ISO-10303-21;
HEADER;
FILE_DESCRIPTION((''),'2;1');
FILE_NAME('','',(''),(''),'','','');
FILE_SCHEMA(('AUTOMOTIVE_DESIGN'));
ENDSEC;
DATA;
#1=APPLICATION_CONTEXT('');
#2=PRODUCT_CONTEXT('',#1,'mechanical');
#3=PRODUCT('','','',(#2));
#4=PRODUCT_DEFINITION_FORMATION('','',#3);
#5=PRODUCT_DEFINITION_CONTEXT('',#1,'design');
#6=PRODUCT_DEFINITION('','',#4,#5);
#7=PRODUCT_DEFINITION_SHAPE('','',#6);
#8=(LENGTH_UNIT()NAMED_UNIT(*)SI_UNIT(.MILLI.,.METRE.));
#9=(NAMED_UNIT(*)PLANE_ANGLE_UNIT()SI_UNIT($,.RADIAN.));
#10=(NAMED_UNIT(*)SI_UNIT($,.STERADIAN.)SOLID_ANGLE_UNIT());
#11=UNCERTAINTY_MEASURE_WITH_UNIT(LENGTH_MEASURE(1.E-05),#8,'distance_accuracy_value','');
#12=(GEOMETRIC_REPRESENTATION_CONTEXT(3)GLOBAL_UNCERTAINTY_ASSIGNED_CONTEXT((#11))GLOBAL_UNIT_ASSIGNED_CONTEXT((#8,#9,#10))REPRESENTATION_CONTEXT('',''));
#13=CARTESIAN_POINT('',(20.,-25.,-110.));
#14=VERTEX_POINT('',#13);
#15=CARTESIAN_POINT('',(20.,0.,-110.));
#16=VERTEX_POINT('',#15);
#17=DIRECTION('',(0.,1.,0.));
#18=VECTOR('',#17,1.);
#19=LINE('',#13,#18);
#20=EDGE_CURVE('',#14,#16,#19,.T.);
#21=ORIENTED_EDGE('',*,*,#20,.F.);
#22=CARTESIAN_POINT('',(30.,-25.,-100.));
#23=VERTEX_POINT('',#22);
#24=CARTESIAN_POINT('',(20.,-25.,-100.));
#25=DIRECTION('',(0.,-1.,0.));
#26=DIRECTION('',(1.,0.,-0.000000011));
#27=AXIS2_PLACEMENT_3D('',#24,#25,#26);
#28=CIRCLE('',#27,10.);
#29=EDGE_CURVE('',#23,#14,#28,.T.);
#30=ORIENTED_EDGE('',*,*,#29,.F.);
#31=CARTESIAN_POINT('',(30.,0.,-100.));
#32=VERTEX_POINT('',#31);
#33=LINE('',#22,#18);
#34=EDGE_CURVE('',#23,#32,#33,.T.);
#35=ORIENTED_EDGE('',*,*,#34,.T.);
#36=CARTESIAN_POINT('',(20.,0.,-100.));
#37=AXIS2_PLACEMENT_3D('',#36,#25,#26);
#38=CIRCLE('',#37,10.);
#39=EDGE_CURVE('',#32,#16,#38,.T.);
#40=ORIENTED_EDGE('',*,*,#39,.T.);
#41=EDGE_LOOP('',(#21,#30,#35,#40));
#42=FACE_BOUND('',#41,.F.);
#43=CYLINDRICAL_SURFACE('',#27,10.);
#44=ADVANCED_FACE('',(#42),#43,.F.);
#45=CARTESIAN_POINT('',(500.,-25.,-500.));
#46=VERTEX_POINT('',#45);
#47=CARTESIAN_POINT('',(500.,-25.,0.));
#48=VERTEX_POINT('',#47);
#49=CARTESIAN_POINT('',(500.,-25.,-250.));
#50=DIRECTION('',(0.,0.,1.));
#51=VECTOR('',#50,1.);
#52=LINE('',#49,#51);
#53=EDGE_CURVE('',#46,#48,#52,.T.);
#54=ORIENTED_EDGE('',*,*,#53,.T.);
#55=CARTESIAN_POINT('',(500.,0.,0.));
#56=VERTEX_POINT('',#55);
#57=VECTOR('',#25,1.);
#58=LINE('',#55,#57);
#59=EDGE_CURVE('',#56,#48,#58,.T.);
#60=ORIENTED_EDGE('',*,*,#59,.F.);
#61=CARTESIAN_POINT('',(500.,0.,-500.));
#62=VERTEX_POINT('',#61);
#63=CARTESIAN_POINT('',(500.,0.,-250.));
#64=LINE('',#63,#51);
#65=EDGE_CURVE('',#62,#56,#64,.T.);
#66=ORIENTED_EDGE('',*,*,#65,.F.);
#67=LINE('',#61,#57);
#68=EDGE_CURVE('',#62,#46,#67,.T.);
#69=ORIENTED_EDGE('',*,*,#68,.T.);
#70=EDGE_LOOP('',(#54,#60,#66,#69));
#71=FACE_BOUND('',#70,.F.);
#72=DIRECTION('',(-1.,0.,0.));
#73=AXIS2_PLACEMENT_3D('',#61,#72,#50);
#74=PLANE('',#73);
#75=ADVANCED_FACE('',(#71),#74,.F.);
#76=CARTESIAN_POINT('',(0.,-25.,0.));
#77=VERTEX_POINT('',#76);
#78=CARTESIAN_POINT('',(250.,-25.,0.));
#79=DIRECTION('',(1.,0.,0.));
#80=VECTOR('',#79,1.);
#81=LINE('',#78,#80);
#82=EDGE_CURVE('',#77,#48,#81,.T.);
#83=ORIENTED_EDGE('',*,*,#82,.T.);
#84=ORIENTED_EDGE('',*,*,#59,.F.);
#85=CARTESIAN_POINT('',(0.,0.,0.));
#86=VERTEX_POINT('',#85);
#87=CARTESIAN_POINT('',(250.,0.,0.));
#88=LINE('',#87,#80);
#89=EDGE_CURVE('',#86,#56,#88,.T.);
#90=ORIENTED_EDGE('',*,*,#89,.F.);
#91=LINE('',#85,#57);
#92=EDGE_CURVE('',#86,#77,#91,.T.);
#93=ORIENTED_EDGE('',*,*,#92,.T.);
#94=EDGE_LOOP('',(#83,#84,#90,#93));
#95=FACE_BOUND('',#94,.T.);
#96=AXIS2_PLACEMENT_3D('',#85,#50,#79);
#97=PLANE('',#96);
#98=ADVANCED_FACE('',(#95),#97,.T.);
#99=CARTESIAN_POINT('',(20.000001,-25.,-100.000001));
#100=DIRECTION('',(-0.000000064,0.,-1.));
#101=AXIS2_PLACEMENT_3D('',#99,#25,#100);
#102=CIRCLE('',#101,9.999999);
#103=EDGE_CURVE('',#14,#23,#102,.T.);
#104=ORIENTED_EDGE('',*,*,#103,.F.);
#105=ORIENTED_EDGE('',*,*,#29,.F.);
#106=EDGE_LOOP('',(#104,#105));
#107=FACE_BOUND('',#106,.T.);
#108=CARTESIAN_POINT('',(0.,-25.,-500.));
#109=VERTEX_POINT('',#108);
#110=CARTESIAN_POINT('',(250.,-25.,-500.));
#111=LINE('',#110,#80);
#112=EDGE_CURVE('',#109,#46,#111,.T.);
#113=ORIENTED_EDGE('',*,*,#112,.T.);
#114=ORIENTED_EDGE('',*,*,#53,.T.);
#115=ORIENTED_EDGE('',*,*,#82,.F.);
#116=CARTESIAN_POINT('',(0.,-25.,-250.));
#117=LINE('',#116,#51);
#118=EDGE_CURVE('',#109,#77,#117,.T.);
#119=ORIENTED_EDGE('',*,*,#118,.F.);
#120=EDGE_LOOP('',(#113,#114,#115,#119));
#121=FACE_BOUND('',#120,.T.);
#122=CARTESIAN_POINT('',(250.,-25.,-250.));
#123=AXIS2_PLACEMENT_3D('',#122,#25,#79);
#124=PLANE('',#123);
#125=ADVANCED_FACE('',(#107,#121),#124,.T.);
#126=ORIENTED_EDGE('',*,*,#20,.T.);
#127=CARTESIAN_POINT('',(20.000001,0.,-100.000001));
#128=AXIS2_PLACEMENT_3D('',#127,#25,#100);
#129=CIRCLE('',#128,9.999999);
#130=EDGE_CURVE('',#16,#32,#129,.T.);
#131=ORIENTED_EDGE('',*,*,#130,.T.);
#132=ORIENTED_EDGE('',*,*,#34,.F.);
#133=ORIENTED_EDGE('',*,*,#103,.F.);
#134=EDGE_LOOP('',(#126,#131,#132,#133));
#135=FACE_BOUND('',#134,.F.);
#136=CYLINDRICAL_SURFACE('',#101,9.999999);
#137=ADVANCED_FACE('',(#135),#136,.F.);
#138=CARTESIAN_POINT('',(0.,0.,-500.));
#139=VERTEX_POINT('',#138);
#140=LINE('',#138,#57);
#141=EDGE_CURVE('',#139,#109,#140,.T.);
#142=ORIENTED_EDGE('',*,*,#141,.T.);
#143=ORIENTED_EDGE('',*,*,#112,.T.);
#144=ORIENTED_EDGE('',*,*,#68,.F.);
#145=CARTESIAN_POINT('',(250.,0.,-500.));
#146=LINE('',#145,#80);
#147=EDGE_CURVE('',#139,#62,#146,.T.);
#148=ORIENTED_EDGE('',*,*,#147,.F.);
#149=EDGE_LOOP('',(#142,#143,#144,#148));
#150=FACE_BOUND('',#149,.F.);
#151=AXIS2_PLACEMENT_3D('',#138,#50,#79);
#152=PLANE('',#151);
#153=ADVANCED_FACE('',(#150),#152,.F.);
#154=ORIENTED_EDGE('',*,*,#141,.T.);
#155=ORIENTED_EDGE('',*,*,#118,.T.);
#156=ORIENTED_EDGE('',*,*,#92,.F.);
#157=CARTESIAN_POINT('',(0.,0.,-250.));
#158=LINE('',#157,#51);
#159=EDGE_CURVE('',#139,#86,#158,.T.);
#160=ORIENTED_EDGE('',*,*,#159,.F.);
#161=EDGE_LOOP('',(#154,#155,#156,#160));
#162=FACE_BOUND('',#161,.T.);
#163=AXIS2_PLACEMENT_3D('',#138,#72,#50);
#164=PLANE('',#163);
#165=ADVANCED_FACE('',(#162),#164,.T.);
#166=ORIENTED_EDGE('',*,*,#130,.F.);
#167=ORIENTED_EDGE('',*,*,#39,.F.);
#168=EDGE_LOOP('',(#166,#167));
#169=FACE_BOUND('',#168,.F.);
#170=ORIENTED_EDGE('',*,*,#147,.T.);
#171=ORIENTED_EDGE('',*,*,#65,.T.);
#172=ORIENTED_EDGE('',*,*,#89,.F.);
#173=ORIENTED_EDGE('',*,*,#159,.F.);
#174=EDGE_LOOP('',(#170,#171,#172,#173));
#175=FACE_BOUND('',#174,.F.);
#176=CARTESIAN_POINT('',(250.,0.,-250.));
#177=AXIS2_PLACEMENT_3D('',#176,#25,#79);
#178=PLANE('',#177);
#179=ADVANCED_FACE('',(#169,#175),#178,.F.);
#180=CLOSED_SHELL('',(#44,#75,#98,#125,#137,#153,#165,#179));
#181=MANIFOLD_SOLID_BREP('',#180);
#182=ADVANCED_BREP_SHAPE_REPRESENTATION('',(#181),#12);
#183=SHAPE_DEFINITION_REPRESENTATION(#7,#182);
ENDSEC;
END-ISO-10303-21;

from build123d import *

# Parameters (mm, degrees)
F0_W     = 500
F0_H     = 500
F1_DEPTH = 25
F3_DEPTH = 25


with BuildPart() as f1:
    # F0 (on Front) → F1 (new body)
    with BuildSketch(Plane.XZ):
        with Locations((250, -250)):
            Rectangle(F0_W, F0_H)
    extrude(amount=F1_DEPTH)

    # F2 (on face) → F3 (cut)
    with BuildSketch(Plane.XZ.offset(25)):
        with BuildLine():
            ThreePointArc((20, -110), (27.071068, -107.071068), (30, -100))
            ThreePointArc((30, -100), (12.928932, -92.928932), (20, -110))
        make_face()
    extrude(amount=-F3_DEPTH, mode=Mode.SUBTRACT)


solid = f1.part
